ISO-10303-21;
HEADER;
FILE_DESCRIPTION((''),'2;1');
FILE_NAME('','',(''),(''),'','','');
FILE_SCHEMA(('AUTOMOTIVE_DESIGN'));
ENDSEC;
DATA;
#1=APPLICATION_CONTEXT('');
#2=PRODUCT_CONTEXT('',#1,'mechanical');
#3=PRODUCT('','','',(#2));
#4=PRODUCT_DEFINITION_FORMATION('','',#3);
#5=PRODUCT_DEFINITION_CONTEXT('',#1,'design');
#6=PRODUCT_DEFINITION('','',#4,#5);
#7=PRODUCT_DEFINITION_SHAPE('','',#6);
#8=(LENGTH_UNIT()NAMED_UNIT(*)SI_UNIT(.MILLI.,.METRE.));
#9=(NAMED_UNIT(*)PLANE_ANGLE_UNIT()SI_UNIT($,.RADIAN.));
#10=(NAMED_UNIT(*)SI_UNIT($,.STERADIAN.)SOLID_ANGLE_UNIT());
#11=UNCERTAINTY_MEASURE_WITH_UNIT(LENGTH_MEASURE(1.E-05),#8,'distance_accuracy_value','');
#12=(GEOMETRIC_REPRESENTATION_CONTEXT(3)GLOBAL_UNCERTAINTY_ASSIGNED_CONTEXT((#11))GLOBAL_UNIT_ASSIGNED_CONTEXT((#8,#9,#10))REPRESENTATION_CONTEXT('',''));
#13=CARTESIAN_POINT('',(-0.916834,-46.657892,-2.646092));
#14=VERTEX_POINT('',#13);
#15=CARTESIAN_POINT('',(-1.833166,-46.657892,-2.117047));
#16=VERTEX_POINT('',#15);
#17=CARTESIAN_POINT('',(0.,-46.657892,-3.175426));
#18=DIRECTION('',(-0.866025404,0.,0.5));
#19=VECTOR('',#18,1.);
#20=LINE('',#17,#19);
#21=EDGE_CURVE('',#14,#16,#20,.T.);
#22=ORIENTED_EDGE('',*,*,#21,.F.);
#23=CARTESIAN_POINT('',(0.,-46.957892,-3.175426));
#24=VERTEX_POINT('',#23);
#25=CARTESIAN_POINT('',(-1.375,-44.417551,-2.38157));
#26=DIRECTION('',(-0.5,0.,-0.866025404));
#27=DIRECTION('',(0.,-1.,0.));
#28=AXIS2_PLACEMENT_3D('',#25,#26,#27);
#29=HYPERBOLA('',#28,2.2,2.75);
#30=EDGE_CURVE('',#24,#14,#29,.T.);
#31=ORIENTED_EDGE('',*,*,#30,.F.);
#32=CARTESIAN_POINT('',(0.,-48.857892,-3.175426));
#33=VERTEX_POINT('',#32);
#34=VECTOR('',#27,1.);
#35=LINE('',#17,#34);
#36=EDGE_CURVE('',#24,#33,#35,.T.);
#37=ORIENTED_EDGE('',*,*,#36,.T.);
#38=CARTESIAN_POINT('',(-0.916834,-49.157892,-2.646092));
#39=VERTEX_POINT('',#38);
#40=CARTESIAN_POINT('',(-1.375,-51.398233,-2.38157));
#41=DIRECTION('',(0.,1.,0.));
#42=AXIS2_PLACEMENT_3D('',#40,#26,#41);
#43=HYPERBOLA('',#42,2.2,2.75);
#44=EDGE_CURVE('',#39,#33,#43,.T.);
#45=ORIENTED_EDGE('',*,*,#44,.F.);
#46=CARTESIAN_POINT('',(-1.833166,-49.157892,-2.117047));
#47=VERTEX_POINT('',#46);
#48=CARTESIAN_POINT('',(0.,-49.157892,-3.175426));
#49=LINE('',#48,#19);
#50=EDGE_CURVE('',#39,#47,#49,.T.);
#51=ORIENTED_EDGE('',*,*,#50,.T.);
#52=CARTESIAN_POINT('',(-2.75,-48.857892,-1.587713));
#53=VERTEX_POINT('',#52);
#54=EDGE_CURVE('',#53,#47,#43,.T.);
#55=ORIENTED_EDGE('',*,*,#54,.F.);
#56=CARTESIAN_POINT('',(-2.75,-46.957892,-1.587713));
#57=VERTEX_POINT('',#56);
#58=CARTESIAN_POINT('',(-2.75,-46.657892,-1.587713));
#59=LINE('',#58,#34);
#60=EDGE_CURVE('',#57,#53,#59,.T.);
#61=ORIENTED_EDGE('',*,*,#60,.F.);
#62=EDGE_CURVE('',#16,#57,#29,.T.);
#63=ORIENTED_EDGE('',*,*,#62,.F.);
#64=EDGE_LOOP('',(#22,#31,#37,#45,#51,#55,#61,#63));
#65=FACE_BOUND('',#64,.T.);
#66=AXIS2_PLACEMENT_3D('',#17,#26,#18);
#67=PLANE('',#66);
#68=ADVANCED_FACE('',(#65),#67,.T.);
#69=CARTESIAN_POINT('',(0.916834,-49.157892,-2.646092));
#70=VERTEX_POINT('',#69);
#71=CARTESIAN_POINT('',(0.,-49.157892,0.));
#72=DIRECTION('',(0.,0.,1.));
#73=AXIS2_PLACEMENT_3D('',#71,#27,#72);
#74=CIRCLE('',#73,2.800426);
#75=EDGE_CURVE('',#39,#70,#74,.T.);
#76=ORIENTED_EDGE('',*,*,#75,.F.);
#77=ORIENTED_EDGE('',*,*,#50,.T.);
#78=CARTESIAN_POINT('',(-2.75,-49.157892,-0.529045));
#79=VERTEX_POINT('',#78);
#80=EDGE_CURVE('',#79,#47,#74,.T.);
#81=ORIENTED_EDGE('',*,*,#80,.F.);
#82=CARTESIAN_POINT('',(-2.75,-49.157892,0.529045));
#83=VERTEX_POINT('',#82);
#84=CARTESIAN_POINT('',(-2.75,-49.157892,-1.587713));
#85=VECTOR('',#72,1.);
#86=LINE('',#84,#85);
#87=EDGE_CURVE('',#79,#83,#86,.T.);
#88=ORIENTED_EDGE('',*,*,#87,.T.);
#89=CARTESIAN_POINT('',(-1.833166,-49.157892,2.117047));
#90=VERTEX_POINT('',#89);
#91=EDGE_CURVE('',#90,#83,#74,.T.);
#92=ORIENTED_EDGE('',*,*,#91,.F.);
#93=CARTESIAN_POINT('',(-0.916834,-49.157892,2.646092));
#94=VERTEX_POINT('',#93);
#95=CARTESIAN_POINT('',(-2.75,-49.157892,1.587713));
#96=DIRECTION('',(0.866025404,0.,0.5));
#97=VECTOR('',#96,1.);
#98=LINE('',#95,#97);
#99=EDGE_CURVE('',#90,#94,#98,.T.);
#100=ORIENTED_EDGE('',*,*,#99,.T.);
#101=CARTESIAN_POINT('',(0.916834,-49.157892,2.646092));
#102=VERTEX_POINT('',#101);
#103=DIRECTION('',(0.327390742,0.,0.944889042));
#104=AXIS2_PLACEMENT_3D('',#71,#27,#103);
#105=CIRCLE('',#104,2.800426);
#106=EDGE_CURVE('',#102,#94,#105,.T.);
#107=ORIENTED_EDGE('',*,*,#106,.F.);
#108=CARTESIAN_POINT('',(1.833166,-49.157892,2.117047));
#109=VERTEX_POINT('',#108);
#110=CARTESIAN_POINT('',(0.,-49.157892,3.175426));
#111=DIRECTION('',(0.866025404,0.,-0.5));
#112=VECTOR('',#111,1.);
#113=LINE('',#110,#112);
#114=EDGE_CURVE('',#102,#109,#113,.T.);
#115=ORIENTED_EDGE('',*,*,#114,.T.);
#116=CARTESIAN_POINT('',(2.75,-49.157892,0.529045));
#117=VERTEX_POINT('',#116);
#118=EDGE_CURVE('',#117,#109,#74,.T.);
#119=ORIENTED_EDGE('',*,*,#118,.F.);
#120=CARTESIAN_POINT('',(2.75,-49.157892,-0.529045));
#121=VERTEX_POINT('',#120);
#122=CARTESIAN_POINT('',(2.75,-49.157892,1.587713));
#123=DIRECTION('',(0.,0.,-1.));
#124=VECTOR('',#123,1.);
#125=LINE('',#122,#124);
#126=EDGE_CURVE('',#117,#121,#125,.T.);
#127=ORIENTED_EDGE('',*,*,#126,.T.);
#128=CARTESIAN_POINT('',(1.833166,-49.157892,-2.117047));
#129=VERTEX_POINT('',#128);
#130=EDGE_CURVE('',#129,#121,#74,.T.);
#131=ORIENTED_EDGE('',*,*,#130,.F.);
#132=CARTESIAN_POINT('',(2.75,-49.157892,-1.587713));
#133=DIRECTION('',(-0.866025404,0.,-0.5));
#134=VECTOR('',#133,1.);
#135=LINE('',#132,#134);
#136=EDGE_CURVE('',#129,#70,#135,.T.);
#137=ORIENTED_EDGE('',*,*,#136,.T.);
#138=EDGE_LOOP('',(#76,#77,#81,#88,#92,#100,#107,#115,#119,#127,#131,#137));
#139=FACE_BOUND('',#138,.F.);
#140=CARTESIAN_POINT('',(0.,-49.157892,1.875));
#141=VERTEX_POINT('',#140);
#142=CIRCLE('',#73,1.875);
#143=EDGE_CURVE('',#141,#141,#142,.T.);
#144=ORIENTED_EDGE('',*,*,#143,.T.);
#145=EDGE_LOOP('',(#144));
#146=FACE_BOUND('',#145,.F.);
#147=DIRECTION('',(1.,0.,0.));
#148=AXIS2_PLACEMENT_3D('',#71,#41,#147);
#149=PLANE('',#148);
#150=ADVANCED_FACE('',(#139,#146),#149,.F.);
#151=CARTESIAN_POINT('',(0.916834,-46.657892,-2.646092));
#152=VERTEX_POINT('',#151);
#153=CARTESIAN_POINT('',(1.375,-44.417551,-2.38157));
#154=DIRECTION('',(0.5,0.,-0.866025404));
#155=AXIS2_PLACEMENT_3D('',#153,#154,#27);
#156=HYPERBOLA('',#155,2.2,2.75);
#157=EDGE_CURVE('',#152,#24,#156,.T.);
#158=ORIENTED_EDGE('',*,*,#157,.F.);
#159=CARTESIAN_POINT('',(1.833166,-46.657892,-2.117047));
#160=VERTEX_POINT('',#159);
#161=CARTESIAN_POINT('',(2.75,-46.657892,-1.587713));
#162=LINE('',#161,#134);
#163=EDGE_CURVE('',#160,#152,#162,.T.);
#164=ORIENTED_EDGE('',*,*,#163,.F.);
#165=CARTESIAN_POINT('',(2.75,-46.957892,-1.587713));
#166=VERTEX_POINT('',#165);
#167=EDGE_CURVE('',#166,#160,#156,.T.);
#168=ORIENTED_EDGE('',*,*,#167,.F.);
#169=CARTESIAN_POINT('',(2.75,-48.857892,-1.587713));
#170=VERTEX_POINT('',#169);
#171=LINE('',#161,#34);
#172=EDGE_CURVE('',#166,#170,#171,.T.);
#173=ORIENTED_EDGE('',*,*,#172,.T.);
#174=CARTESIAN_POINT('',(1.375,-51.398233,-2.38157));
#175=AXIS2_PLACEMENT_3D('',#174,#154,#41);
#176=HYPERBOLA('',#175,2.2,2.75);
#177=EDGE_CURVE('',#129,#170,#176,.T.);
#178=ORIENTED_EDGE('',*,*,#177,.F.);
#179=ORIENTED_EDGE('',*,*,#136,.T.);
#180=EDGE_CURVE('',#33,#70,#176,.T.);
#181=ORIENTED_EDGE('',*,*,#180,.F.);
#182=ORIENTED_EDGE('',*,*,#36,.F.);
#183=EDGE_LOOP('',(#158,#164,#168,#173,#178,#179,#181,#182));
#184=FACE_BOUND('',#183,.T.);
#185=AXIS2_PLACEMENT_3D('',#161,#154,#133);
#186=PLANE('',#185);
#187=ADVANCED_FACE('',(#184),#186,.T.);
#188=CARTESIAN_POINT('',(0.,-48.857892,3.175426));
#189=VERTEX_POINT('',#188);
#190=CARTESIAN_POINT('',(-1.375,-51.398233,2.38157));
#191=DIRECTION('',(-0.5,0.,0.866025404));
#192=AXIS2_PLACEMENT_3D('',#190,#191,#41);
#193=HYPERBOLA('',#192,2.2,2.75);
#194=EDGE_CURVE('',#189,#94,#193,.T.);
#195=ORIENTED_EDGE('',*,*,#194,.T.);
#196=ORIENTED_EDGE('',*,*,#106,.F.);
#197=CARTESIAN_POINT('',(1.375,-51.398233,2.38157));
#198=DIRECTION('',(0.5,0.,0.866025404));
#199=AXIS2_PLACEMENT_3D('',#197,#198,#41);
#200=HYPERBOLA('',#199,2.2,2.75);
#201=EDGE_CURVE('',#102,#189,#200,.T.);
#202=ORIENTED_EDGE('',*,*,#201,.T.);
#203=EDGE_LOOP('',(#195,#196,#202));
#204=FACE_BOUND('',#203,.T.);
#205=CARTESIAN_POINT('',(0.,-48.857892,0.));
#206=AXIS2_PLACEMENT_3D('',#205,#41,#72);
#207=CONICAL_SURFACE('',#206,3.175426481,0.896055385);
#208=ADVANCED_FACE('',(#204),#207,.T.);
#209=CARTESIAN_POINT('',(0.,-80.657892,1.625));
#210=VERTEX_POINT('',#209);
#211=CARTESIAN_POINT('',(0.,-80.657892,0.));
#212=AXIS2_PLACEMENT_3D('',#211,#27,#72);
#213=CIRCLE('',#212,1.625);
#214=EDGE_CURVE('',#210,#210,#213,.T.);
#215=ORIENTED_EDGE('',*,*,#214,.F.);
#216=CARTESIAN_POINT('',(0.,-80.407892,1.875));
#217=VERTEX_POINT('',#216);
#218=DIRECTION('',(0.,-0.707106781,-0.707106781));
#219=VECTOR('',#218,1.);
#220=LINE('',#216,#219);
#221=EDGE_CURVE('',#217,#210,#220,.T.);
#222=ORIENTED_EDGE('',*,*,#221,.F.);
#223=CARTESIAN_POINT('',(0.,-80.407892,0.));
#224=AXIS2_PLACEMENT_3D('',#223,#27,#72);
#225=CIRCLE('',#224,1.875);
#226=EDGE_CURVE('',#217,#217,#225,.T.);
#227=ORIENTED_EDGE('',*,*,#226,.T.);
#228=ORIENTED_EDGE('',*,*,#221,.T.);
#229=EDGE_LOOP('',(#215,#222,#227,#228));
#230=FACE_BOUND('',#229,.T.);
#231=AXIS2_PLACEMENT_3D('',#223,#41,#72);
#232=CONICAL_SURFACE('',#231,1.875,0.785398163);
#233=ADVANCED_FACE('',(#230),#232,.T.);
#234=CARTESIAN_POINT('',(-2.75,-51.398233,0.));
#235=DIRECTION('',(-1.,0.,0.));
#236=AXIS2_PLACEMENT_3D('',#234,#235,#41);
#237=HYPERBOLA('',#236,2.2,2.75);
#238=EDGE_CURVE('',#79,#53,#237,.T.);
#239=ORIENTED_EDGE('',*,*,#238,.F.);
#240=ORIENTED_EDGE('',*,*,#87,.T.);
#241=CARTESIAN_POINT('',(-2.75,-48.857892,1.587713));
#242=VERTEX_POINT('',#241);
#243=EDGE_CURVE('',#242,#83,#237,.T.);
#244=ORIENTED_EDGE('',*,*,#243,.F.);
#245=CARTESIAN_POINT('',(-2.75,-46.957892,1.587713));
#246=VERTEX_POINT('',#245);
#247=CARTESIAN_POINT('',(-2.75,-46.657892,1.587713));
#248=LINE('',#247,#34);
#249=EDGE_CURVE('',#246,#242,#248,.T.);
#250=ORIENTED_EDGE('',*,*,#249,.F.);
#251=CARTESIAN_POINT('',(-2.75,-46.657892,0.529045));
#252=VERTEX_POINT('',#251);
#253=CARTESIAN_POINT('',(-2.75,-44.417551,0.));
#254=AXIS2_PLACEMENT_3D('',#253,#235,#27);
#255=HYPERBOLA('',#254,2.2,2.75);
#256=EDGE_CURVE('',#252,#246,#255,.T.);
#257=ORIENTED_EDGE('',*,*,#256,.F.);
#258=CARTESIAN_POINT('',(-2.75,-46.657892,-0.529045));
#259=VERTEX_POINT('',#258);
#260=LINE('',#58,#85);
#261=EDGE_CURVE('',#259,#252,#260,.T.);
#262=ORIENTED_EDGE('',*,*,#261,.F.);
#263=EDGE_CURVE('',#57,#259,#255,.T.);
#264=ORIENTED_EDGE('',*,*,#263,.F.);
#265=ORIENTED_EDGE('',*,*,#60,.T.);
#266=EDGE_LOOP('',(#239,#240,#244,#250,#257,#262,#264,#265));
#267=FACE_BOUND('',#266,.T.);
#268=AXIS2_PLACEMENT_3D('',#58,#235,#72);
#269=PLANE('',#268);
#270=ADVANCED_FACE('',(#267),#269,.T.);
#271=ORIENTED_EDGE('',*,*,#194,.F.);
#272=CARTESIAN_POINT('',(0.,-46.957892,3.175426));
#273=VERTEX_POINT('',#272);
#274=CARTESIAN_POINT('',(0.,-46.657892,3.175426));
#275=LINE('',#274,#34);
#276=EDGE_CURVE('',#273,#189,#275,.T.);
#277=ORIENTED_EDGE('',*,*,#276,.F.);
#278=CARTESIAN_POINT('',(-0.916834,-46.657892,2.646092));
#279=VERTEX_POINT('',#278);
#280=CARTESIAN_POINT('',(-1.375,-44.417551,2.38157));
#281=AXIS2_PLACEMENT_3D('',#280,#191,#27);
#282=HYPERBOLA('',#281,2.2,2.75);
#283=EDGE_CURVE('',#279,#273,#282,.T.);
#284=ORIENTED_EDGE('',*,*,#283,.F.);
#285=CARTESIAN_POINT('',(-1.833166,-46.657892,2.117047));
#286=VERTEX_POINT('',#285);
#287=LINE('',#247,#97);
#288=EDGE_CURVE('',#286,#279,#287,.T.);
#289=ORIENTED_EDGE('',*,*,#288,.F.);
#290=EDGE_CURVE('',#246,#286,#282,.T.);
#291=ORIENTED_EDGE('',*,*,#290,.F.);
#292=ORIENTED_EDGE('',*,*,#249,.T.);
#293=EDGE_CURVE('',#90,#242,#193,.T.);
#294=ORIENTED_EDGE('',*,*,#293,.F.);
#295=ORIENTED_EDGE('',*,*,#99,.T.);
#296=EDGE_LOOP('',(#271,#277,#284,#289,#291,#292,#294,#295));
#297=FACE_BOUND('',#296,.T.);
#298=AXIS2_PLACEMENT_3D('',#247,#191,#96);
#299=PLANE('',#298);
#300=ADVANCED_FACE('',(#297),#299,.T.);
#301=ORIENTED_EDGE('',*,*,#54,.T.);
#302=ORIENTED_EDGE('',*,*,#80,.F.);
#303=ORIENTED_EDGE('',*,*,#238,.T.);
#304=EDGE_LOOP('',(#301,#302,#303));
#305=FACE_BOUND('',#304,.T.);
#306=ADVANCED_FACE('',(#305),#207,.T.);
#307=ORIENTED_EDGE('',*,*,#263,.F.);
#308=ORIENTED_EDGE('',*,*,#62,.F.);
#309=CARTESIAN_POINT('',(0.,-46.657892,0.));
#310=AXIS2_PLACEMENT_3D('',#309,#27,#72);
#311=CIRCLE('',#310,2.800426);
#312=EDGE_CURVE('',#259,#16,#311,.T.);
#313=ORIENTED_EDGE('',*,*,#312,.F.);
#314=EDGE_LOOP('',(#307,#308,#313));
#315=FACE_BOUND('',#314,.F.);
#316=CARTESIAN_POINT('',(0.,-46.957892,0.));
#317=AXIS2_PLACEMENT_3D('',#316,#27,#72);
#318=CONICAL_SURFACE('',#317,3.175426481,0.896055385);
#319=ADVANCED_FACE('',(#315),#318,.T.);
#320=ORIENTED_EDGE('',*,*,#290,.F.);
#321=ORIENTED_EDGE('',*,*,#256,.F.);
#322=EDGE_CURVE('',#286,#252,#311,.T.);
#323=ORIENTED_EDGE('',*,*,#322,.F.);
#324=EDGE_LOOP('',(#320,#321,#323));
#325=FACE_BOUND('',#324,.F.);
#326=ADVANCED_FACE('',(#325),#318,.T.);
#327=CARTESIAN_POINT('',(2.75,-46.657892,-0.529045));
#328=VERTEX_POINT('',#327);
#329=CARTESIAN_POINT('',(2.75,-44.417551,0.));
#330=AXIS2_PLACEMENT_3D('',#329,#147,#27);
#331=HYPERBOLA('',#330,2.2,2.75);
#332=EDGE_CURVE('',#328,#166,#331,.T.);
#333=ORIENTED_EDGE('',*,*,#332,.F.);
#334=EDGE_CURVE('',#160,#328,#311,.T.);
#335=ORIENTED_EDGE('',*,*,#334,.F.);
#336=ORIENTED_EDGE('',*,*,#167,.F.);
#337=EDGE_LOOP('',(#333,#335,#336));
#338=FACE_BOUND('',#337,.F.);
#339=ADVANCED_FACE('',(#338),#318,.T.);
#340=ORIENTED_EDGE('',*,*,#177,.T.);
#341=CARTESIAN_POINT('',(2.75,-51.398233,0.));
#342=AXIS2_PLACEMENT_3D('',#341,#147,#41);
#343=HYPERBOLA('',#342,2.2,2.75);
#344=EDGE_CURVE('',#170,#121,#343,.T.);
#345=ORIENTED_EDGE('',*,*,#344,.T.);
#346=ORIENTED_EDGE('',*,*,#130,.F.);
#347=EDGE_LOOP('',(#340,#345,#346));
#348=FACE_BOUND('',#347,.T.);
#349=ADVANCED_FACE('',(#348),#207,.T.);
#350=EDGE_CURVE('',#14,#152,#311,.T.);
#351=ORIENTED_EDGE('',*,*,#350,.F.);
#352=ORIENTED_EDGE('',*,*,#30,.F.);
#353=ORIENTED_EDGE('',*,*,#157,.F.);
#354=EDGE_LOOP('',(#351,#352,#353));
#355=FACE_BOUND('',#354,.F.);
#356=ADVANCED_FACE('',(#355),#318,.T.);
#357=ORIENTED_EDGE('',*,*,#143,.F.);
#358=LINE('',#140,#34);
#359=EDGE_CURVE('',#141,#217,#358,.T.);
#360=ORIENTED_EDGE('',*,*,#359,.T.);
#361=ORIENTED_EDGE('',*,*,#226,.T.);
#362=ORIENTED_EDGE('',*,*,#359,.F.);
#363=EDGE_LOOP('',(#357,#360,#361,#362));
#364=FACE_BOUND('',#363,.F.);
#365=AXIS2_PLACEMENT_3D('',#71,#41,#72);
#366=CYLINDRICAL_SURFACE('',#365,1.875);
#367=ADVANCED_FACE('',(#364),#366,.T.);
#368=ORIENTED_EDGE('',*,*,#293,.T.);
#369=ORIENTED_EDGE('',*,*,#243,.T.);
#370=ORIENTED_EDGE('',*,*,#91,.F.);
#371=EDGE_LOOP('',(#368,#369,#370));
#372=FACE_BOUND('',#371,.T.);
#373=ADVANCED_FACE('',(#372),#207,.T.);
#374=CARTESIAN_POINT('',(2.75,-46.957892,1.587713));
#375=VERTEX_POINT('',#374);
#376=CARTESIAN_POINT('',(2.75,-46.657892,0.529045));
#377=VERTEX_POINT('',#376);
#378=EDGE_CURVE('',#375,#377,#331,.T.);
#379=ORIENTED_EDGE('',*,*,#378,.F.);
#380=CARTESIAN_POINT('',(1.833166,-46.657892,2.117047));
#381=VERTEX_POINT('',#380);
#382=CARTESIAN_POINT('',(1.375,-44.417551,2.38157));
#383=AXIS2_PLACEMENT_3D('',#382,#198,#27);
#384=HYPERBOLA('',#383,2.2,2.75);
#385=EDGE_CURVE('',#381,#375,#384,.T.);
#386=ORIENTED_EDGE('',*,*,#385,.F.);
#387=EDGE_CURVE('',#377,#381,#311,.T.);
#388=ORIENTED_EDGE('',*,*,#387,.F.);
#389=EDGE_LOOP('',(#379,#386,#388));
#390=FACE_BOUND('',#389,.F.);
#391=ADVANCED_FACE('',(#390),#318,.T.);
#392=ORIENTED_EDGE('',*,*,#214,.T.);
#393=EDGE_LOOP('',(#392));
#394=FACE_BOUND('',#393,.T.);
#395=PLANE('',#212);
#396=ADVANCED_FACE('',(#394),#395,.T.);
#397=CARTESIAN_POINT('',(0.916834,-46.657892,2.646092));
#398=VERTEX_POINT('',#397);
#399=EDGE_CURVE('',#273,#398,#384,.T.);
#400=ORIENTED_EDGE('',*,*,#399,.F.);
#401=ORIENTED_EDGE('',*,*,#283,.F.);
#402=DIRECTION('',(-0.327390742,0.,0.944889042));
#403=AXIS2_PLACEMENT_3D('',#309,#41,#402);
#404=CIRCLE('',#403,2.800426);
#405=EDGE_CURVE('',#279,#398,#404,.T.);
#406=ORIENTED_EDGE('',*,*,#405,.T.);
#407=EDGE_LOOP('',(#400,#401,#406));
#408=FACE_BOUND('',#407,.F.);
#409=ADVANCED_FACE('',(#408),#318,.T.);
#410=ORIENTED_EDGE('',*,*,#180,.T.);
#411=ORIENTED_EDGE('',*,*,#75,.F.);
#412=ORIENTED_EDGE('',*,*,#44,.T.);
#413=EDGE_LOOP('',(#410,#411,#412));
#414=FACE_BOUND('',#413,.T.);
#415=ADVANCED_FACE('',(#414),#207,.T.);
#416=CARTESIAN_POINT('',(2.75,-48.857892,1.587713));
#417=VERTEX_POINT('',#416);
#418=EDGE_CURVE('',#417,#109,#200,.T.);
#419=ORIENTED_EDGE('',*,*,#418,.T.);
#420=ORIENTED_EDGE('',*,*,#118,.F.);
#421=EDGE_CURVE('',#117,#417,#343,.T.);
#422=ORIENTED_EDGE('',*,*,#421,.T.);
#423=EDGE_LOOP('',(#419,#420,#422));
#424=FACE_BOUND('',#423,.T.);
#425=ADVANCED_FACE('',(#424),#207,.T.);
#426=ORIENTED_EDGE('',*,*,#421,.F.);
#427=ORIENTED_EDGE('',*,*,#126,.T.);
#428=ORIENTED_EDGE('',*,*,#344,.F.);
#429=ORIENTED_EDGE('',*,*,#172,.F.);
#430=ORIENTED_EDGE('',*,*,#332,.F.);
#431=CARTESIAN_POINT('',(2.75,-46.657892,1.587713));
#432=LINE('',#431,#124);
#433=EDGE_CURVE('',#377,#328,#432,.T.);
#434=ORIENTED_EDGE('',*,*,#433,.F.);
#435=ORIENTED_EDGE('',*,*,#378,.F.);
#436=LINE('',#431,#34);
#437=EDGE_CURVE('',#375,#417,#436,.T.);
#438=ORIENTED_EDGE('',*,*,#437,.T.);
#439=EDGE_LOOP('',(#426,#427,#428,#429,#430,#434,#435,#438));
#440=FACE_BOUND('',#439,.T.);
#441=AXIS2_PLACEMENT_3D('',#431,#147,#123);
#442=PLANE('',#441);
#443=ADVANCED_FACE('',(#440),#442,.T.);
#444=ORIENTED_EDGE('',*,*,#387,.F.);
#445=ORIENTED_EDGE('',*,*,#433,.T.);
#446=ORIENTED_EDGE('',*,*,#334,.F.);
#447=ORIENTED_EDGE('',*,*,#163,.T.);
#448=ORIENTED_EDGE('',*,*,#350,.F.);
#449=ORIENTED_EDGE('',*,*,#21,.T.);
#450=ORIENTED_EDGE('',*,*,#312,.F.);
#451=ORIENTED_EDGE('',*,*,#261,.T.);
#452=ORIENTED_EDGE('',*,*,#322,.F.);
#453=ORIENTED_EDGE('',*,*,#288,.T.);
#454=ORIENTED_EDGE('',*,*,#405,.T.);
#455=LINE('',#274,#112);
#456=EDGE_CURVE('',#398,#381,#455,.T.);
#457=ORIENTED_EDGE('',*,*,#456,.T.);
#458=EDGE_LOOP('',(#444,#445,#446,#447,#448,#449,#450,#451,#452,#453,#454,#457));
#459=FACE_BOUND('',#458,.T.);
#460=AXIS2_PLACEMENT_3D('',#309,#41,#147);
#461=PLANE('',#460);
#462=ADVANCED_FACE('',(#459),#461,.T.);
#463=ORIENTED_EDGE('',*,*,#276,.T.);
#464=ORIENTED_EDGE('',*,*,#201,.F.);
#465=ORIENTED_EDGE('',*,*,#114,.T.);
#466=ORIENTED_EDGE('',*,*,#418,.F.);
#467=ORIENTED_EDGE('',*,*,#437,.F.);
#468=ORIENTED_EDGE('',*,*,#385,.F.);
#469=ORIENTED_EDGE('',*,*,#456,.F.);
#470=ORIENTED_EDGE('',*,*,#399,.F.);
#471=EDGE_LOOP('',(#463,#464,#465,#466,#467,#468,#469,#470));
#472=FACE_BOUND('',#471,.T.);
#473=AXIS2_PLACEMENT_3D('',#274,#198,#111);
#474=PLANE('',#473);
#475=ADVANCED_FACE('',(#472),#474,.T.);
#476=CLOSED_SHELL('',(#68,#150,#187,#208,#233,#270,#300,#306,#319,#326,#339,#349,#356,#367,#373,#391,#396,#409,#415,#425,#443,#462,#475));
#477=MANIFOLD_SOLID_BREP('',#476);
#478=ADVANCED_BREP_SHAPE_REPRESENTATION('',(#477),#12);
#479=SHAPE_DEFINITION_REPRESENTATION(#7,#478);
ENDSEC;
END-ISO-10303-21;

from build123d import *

# Parameters (mm, degrees)
BOSS_EXTRUDE1_DEPTH = 10
SKETCH2_R           = 7.5
BOSS_EXTRUDE2_DEPTH = 126
CHAMFER1_SIZE       = 1
SCALE1_SCALE        = 0.25


with BuildPart() as part:
    # Sketch1 → Boss-Extrude1 (new body)
    with BuildSketch(Plane(origin=(0, 0, 0), x_dir=(1, 0, 0), z_dir=(0, 1, 0))):
        Polygon((11, -6.350852961), (11, 6.350852961), (0, 12.701705922), (-11, 6.350852961), (-11, -6.350852961), (0, -12.701705922), align=None)
    extrude(amount=-BOSS_EXTRUDE1_DEPTH)

    # Sketch2 → Boss-Extrude2 (add)
    with BuildSketch(Plane.XZ.offset(10)):
        with Locations(Location((0, 0, 0), (0, 0, 90))):
            Circle(SKETCH2_R)
    extrude(amount=BOSS_EXTRUDE2_DEPTH)

    # Sketch3 → Cut-Revolve1 (revolve, cut)
    with BuildSketch(Plane(origin=(0, 0, 0), x_dir=(0, 0, -1), z_dir=(1, 0, 0))):
        Polygon((-12.701705922, -1.2), (-11.201705922, 0), (-12.701705922, 0), align=None)
        Polygon((-12.701705922, -10), (-12.701705922, -8.8), (-11.201705922, -10), align=None)
    revolve(axis=Axis((0, 3.86627359, 0), (0, -1, 0)), mode=Mode.SUBTRACT)

    # Chamfer1
    chamfer1_edges = [part.edges().sort_by_distance(p)[0] for p in [
        (0, -136, -7.5),
    ]]
    chamfer(chamfer1_edges, length=CHAMFER1_SIZE)


with BuildPart() as part_1:
    # Scale1: scaled about (0, -62.210522466, 0)
    add(part.part.scale(SCALE1_SCALE).moved(Location((0, -46.65789185, 0))))


solid = part_1.part
